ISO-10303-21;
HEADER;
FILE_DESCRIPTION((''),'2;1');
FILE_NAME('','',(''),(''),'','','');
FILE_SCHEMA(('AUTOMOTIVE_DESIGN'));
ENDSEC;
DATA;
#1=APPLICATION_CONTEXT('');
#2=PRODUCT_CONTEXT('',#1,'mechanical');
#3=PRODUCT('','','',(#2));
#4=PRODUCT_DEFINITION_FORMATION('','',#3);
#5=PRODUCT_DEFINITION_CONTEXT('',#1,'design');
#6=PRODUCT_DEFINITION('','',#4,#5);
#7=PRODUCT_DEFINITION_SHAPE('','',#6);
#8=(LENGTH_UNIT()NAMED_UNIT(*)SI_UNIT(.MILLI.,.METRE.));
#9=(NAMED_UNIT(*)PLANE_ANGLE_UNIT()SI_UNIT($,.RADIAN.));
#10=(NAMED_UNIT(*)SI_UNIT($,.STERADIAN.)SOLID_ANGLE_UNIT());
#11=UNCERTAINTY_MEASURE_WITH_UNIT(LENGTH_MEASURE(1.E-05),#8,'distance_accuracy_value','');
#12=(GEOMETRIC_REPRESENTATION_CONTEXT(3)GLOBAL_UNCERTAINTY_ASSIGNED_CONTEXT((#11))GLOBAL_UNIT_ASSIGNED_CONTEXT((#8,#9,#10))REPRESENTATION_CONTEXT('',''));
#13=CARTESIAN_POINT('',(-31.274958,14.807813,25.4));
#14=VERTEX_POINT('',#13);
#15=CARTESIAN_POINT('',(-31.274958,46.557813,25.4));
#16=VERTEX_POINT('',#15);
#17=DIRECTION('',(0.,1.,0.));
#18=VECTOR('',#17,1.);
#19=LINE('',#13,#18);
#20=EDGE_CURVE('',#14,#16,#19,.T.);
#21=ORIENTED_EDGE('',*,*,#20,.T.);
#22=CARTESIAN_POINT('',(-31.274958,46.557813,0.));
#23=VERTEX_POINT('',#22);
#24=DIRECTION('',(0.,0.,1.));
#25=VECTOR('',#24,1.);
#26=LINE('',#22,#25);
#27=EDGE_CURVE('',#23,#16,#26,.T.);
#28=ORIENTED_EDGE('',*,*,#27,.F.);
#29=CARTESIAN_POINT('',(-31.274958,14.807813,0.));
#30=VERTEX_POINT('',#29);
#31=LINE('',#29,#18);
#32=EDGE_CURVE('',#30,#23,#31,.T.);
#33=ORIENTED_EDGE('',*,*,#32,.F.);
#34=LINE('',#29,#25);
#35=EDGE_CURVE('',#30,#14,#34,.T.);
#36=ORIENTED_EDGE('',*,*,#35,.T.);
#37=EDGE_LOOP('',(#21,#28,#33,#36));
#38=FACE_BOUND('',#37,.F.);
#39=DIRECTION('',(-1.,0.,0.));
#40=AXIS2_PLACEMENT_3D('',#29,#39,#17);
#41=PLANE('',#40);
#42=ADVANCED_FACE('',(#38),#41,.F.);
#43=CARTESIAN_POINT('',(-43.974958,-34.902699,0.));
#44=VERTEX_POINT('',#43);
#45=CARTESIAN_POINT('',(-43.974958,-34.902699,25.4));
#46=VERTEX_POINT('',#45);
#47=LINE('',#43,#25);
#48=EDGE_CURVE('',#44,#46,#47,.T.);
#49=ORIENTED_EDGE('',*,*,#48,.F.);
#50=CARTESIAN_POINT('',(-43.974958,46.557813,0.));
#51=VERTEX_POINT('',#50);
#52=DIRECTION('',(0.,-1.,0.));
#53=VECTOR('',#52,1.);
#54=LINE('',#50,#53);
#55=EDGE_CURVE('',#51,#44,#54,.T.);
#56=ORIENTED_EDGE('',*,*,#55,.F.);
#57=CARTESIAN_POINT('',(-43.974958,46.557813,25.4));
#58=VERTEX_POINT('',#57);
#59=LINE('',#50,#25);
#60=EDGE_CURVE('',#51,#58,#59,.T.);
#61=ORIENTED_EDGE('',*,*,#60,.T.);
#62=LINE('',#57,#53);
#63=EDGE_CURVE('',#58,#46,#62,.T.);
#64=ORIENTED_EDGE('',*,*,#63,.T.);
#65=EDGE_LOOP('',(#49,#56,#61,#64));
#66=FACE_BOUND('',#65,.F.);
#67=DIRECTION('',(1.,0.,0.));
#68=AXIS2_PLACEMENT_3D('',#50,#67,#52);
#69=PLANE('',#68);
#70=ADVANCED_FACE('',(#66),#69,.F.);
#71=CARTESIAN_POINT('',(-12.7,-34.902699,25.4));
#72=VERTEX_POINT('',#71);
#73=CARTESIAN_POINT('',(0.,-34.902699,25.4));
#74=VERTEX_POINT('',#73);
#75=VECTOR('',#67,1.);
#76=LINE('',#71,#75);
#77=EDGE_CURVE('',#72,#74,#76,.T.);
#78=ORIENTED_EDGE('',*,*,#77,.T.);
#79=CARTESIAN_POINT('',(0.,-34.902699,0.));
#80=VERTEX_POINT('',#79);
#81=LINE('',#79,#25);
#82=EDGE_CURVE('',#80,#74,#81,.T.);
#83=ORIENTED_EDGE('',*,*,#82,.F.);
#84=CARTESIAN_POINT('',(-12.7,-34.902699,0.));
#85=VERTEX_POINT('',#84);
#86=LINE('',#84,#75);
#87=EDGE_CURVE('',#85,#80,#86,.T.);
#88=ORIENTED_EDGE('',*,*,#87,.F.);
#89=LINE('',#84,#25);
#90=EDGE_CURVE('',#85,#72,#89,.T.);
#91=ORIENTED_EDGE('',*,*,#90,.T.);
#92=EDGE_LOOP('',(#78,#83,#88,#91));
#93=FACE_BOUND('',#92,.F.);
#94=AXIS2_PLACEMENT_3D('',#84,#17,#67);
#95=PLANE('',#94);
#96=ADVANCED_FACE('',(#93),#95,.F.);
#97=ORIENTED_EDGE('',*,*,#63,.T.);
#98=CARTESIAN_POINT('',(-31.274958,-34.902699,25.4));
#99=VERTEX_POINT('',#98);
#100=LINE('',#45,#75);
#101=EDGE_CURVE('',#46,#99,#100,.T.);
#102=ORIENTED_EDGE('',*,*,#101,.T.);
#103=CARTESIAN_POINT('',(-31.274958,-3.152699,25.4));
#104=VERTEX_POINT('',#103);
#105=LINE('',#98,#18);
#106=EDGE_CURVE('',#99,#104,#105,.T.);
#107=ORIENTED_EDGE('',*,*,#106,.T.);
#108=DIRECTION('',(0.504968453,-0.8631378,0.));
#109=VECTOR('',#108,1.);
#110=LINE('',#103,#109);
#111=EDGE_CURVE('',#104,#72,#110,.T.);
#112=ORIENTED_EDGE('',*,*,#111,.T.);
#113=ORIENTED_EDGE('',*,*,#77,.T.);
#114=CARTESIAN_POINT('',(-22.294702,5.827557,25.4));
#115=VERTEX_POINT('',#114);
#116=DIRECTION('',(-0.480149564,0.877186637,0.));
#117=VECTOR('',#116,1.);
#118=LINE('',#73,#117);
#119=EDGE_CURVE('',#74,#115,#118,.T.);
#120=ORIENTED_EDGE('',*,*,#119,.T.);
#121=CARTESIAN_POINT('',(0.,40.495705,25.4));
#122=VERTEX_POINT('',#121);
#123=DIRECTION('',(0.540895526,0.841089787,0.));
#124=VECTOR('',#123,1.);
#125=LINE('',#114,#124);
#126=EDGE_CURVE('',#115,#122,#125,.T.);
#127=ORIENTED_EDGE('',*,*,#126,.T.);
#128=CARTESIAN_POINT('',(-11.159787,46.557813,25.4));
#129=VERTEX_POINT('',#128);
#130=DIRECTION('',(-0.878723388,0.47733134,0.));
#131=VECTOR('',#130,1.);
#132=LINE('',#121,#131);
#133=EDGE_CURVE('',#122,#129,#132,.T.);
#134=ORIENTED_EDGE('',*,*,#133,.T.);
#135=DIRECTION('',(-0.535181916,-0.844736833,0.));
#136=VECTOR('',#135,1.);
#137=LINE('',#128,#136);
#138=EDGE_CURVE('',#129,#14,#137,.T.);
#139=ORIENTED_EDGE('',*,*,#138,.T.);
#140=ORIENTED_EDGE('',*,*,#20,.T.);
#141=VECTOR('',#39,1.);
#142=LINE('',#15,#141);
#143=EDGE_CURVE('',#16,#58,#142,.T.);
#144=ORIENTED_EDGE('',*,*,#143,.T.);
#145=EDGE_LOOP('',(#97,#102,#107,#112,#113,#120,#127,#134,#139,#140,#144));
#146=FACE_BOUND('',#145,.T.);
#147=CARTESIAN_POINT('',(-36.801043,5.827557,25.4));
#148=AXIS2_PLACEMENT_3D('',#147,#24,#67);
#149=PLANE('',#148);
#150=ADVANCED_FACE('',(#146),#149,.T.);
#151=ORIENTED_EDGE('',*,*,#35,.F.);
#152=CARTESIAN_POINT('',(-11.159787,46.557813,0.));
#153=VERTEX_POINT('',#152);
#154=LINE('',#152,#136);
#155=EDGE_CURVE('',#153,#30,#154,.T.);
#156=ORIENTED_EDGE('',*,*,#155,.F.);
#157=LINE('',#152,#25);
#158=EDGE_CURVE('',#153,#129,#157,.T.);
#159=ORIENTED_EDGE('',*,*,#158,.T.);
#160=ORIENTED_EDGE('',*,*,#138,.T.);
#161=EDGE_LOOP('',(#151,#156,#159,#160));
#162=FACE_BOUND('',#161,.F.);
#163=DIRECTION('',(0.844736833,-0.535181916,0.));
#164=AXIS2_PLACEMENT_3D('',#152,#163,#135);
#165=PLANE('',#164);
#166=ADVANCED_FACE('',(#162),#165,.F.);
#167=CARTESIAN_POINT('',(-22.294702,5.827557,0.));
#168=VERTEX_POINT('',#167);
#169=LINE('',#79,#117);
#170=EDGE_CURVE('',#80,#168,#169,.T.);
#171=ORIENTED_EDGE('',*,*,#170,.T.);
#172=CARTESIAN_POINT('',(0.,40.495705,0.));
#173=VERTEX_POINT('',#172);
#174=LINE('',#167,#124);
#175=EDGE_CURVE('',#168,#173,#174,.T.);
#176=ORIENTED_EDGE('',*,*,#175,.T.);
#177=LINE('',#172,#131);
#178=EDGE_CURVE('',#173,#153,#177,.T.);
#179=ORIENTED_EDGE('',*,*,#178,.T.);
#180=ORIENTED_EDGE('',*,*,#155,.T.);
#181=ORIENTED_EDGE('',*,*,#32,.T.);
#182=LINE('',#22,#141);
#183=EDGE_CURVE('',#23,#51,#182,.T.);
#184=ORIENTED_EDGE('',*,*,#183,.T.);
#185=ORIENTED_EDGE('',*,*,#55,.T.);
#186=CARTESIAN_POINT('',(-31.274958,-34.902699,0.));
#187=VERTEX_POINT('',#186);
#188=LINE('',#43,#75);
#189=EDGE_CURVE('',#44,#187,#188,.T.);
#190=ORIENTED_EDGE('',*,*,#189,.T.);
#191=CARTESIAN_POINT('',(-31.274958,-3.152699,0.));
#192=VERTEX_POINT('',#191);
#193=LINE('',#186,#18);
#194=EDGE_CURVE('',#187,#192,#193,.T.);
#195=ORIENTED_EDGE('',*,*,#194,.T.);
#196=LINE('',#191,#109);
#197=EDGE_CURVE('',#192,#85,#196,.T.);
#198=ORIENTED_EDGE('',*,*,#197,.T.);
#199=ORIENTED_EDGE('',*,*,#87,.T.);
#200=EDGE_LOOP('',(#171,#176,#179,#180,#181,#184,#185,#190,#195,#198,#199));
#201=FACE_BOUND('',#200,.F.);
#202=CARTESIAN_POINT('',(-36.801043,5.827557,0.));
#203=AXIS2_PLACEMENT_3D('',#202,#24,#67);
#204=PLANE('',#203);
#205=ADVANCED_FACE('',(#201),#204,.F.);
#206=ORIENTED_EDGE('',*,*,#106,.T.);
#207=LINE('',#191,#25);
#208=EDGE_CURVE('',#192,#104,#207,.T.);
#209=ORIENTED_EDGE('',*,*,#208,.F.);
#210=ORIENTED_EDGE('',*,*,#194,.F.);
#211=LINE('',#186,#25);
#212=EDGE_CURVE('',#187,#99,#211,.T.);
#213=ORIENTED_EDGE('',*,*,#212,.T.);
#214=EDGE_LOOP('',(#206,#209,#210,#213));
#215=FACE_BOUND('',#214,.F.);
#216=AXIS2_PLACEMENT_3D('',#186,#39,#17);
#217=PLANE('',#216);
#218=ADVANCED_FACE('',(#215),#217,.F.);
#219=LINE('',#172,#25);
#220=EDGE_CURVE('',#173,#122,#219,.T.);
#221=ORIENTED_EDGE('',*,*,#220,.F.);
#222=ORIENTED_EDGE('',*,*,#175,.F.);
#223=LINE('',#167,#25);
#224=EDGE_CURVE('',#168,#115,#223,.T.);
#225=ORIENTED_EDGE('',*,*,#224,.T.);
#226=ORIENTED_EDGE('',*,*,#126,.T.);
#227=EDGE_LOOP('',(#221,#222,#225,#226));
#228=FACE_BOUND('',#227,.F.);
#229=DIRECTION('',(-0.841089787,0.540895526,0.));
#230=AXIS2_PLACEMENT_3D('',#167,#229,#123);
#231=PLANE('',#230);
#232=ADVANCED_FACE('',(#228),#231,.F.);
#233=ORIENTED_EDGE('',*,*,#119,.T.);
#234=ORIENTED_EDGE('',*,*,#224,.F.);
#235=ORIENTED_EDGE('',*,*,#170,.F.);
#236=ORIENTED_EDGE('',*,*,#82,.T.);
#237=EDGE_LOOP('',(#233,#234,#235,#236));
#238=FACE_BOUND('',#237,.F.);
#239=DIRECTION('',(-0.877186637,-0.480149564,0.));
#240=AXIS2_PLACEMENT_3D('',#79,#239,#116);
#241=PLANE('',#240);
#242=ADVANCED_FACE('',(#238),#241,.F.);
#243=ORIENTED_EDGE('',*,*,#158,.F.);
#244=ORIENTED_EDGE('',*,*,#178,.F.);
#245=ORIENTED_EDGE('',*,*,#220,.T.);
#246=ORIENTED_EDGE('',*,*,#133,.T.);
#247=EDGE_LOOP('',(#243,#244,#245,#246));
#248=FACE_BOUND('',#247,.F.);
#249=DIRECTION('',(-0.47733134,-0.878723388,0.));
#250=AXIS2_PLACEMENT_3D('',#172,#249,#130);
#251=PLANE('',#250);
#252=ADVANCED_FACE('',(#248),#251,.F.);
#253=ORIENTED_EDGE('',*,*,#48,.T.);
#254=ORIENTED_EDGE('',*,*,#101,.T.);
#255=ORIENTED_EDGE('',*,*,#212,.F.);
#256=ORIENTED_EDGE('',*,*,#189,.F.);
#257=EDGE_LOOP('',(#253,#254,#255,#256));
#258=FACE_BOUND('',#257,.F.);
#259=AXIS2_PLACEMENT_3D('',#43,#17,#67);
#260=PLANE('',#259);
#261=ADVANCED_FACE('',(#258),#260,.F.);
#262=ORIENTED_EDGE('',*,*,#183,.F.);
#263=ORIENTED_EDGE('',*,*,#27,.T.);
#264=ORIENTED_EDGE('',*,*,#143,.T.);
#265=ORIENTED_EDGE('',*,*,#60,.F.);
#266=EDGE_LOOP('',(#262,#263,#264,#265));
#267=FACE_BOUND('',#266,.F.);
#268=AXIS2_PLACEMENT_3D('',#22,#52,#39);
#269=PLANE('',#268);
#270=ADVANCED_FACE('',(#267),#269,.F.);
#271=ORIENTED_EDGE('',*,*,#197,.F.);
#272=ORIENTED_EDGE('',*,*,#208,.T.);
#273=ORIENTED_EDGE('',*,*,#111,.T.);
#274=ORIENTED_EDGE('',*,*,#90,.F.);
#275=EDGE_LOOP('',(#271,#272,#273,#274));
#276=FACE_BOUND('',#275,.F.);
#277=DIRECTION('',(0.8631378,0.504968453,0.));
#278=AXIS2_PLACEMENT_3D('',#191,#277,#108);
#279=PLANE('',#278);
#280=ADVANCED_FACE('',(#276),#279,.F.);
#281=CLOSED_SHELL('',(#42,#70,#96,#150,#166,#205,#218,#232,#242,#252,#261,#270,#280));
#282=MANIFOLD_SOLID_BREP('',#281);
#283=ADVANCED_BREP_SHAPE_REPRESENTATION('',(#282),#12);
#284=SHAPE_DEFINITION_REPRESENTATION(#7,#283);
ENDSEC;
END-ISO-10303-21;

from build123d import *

# Parameters (mm, degrees)
F1_DEPTH = 25.4


with BuildPart() as f1:
    # F0 (on Top) → F1 (new body)
    with BuildSketch(Plane.XY):
        Polygon((-31.274958, 46.557813), (-43.974958, 46.557813), (-43.974958, -34.902699), (-31.274958, -34.902699), (-31.274958, -3.152699), (-22.294702, 5.827557), (-31.274958, 14.807813), align=None)
        Polygon((-11.159787, 46.557813), (-31.274958, 14.807813), (-22.294702, 5.827557), (0, 40.495705), align=None)
        Polygon((-22.294702, 5.827557), (-31.274958, -3.152699), (-12.7, -34.902699), (0, -34.902699), align=None)
    extrude(amount=F1_DEPTH)


solid = f1.part
